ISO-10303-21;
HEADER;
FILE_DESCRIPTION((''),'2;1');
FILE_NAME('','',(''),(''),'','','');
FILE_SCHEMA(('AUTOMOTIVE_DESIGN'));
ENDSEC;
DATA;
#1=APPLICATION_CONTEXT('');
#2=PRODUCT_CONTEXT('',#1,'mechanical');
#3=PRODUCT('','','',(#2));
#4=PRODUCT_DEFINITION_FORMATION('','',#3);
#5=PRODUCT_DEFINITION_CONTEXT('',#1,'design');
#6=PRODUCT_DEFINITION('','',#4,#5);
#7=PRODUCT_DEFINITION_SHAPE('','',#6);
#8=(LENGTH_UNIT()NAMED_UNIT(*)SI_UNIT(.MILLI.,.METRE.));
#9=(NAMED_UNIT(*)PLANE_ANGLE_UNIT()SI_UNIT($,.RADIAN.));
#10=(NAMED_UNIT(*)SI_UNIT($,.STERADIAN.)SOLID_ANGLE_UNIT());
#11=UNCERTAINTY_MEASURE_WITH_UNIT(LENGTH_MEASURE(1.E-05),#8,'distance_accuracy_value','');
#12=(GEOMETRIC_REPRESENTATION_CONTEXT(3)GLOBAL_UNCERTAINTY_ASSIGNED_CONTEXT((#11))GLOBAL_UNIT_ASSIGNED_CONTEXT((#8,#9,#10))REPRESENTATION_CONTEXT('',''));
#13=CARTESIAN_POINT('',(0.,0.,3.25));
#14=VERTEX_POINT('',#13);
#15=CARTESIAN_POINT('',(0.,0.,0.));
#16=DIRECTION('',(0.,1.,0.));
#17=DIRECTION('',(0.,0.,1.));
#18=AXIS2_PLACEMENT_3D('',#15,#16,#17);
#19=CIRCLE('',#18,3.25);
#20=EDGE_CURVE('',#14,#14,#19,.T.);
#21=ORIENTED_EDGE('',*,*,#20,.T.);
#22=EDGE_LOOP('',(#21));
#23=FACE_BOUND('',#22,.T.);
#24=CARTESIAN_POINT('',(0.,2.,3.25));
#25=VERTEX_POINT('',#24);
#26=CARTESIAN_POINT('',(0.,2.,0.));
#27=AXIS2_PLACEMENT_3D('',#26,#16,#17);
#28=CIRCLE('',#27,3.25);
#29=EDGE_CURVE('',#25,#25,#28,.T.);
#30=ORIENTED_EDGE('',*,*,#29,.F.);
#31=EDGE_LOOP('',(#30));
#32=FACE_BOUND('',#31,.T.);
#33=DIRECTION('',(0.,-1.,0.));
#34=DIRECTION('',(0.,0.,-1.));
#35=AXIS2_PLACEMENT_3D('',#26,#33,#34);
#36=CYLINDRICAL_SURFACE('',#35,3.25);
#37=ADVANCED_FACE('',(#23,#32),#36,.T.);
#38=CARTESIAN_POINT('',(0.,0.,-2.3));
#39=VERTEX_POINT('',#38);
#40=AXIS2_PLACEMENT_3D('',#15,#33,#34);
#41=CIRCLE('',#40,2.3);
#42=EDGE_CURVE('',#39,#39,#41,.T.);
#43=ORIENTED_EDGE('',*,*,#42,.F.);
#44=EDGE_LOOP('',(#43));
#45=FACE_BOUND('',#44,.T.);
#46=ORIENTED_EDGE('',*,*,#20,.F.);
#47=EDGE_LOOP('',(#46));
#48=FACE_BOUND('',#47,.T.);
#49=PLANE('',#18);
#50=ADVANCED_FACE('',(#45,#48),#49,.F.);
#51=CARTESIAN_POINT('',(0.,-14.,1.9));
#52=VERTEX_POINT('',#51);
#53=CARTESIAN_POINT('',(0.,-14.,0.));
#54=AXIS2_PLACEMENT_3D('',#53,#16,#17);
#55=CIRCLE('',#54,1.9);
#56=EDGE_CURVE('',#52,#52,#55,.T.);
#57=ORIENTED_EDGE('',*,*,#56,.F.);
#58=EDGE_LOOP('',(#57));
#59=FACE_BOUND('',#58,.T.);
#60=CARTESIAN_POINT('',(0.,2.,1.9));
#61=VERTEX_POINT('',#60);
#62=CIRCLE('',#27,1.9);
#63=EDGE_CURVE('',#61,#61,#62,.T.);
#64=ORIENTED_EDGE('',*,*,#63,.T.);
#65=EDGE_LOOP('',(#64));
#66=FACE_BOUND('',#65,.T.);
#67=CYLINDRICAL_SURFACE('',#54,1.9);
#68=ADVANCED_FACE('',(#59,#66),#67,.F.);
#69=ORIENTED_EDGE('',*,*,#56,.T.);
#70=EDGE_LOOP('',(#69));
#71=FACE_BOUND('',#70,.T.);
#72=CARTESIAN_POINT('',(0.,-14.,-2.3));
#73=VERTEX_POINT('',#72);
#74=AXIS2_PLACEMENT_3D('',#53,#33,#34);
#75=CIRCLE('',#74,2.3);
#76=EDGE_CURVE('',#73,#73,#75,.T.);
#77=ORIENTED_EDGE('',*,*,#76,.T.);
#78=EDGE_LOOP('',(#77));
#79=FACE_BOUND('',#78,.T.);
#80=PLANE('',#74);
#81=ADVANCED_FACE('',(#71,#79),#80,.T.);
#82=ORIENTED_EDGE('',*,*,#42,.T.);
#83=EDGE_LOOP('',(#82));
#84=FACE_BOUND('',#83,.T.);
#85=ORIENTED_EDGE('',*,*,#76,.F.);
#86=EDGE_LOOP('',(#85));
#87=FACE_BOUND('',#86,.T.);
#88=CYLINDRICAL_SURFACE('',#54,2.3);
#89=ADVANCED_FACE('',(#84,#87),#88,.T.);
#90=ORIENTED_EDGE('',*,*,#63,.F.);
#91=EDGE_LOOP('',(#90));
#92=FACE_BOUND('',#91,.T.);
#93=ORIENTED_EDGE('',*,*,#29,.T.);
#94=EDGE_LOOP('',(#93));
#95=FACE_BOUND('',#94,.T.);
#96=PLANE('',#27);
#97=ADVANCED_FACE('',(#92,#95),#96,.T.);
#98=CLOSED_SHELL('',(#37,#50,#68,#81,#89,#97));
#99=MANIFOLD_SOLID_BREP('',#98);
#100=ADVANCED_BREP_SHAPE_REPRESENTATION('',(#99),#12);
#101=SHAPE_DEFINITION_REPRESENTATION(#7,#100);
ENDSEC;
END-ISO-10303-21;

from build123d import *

# Parameters (mm, degrees)
SKETCH1_R           = 3.25
BOSS_EXTRUDE1_DEPTH = 2
SKETCH2_R           = 2.3
BOSS_EXTRUDE2_DEPTH = 14
SKETCH4_R           = 1.9
CUT_EXTRUDE1_DEPTH  = 17.647071815


with BuildPart() as part:
    # Sketch1 → Boss-Extrude1 (new body)
    with BuildSketch(Plane(origin=(0, 0, 0), x_dir=(1, 0, 0), z_dir=(0, 1, 0))):
        with Locations(Location((0, 0, 0), (0, 0, 270))):
            Circle(SKETCH1_R)
    extrude(amount=BOSS_EXTRUDE1_DEPTH)

    # Sketch2 → Boss-Extrude2 (add)
    with BuildSketch(Plane(origin=(0, 0, 0), x_dir=(-1, 0, 0), z_dir=(0, -1, 0))):
        with Locations(Location((0, 0, 0), (0, 0, 90))):
            Circle(SKETCH2_R)
    extrude(amount=BOSS_EXTRUDE2_DEPTH)

    # Sketch4 → Cut-Extrude1 (cut, through all)
    with BuildSketch(Plane(origin=(0, 2, 0), x_dir=(1, 0, 0), z_dir=(0, 1, 0))):
        with Locations(Location((0, 0, 0), (0, 0, 270))):
            Circle(SKETCH4_R)
    extrude(amount=-CUT_EXTRUDE1_DEPTH, mode=Mode.SUBTRACT)


solid = part.part
